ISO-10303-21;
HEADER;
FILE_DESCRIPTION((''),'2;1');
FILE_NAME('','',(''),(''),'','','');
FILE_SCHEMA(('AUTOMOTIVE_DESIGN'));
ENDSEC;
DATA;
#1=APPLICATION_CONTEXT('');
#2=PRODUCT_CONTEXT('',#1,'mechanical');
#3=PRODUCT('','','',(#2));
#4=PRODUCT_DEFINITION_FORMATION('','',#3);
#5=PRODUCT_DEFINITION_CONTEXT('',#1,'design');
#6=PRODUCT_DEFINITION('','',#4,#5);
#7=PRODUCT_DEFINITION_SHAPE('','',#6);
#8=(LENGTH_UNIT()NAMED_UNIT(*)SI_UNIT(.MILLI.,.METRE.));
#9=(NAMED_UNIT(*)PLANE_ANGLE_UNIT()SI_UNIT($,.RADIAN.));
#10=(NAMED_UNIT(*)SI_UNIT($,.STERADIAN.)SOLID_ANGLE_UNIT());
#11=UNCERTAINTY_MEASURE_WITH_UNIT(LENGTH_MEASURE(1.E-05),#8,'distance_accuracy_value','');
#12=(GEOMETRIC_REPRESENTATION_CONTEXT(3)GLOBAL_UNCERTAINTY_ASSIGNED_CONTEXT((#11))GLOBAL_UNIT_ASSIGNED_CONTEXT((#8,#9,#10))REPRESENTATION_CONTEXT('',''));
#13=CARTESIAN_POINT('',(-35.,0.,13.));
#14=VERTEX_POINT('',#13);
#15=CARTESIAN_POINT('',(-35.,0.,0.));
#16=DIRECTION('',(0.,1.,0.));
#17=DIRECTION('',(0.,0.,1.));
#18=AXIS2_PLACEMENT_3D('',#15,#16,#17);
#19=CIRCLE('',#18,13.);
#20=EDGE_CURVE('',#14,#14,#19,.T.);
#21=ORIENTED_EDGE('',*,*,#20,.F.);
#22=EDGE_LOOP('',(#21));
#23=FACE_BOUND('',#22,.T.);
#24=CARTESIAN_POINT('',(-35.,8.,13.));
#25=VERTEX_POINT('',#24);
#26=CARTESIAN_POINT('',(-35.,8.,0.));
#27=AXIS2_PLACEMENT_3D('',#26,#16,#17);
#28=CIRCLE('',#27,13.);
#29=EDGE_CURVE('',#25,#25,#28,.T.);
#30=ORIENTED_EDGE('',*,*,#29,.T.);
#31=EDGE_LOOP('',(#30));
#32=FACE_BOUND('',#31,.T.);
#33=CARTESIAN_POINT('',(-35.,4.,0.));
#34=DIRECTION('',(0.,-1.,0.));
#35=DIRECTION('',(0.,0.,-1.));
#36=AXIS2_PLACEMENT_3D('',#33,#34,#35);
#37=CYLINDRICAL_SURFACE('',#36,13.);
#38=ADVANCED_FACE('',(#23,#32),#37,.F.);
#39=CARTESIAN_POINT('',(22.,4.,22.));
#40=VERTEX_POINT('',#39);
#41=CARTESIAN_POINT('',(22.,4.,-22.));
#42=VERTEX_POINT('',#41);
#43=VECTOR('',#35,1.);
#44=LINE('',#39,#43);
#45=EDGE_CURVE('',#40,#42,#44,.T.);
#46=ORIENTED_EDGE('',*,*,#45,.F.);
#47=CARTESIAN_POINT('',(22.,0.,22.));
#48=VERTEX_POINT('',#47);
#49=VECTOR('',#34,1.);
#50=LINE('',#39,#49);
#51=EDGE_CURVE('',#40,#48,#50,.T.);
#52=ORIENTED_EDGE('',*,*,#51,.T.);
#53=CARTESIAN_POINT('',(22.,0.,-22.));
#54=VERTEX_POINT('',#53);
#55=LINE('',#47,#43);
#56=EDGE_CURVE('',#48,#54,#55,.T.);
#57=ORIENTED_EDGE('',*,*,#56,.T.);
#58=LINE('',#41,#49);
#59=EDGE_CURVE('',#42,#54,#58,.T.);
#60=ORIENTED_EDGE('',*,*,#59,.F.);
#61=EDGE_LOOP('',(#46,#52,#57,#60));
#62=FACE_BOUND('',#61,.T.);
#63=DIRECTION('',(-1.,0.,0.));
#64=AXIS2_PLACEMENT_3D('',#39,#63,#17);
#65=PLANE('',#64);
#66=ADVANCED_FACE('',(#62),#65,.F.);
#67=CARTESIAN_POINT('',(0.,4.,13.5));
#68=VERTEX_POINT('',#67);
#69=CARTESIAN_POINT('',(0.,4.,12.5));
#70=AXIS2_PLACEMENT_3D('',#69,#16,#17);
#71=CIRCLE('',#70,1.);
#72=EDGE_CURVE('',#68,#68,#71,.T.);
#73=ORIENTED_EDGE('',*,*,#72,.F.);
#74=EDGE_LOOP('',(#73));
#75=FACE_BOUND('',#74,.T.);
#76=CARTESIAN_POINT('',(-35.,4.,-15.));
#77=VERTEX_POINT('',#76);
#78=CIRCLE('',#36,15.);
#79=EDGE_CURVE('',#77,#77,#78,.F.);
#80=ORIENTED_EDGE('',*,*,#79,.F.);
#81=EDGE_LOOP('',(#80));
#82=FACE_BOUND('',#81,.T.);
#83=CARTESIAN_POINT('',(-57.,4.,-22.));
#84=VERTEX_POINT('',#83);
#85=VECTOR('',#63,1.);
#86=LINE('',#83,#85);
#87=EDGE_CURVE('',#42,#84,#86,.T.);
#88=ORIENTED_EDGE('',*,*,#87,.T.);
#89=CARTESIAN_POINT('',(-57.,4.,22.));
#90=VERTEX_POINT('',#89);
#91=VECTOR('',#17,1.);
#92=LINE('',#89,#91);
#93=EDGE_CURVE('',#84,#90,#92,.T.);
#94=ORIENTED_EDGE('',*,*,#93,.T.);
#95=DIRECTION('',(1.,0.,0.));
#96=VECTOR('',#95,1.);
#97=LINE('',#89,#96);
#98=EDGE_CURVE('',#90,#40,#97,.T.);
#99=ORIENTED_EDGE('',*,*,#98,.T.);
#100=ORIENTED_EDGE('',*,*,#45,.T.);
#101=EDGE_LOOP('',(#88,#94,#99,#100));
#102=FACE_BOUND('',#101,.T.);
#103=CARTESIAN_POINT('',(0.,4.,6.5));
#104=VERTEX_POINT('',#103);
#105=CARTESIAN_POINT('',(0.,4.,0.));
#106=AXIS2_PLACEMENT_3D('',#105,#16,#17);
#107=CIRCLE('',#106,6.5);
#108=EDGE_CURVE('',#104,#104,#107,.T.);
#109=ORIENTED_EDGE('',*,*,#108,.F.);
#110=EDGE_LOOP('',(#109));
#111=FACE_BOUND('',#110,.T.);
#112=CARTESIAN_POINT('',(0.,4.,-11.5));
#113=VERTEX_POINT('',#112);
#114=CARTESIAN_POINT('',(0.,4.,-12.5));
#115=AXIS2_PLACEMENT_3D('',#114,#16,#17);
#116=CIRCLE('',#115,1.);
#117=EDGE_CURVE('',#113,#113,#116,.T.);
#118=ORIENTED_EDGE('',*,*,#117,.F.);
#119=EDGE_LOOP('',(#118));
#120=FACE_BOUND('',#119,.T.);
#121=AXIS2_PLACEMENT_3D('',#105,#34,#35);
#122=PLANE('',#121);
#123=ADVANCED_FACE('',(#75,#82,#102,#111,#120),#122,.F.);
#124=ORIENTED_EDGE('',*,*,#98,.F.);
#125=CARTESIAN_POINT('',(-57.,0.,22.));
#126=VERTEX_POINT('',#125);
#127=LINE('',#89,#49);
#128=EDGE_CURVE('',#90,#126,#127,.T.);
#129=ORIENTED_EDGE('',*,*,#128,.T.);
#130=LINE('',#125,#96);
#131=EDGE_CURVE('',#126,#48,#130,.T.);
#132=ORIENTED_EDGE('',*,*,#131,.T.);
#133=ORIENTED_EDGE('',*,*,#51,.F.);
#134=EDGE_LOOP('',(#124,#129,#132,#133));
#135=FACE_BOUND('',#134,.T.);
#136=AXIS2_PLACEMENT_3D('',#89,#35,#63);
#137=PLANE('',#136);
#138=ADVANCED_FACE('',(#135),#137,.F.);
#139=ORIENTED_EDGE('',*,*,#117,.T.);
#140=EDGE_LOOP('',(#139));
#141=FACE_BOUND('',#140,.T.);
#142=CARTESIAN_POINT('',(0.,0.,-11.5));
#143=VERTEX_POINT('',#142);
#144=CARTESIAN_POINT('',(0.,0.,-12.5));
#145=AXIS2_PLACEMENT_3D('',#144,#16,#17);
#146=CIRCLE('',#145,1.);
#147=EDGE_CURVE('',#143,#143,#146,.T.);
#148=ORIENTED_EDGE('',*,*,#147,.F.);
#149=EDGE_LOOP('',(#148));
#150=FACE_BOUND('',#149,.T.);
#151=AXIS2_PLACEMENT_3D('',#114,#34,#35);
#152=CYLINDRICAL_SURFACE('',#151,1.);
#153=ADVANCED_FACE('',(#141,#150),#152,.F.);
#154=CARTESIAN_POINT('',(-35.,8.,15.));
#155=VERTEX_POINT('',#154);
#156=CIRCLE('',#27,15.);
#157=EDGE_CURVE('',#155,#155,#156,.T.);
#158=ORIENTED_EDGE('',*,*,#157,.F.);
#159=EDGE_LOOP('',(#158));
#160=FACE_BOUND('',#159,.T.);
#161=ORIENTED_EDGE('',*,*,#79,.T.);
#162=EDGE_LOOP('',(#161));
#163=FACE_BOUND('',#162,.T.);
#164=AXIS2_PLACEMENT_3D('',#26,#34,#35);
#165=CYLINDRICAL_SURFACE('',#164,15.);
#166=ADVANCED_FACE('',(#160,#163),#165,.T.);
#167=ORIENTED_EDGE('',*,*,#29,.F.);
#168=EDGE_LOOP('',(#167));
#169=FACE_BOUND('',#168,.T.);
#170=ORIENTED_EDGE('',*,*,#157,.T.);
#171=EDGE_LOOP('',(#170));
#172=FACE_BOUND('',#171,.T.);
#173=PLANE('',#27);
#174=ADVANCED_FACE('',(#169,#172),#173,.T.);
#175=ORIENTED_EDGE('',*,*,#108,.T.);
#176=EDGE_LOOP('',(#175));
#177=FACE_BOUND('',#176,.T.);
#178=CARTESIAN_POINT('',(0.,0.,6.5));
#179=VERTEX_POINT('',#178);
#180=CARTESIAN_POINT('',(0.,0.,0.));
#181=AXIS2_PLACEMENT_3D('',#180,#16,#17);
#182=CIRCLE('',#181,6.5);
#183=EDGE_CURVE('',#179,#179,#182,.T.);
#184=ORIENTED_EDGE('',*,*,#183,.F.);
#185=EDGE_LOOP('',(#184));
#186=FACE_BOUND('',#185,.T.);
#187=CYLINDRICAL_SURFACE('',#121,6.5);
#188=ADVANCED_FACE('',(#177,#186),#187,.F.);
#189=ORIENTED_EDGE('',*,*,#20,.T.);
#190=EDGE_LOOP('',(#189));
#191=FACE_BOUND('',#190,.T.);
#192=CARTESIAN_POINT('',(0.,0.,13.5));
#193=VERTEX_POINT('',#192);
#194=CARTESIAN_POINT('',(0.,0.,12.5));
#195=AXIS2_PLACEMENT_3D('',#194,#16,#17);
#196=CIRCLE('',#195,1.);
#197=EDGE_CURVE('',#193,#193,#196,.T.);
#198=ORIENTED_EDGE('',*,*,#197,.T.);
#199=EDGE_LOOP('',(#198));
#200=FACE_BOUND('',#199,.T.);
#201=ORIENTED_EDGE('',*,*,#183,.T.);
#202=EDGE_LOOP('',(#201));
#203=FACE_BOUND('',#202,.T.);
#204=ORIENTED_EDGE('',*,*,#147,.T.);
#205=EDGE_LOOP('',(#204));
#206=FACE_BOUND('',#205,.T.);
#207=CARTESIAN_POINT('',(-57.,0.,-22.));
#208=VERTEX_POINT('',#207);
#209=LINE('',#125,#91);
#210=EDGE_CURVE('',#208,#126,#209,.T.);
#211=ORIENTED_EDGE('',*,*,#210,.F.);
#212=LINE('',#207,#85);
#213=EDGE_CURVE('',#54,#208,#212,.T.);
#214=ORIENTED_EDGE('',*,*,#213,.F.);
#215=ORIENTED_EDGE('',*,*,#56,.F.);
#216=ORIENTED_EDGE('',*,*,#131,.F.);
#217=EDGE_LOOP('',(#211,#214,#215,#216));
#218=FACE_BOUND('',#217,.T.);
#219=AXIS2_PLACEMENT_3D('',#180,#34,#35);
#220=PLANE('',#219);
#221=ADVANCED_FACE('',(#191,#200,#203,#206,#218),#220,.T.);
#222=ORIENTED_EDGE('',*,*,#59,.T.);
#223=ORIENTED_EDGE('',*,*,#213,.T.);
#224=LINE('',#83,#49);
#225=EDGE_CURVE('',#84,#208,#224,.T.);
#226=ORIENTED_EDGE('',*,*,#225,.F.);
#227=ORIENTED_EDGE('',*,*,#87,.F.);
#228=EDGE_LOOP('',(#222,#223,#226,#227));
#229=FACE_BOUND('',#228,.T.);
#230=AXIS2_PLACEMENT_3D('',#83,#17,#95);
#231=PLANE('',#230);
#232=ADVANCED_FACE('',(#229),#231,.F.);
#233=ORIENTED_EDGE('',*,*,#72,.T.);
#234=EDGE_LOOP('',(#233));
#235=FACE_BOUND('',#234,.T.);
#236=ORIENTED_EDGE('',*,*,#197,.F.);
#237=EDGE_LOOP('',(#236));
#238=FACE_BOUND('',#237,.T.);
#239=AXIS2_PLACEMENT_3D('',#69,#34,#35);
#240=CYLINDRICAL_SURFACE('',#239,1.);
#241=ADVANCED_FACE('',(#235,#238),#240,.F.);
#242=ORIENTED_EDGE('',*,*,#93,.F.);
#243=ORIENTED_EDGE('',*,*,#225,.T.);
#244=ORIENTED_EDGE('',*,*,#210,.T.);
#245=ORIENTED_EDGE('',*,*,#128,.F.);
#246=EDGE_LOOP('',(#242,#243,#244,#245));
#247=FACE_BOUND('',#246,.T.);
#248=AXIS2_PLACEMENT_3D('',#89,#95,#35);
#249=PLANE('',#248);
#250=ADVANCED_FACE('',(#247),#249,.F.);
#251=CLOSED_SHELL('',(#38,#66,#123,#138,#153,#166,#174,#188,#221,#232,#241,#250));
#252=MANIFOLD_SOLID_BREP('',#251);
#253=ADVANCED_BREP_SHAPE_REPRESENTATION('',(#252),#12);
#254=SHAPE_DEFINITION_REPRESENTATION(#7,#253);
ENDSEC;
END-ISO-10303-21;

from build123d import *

# Parameters (mm, degrees)
IZIM2_W                     = 79
IZIM2_H                     = 44
IZIM2_R                     = 6.5
IZIM2_R_2                   = 1
IZIM2_R_3                   = 13
Y_KSEKLIK_EKSTR_ZYON1_DEPTH = 4
IZIM3_R                     = 15
IZIM3_R_2                   = 13
Y_KSEKLIK_EKSTR_ZYON2_DEPTH = 4


with BuildPart() as part:
    # Çizim2 → Yükseklik-Ekstrüzyon1 (new body)
    with BuildSketch(Plane(origin=(0, 0, 0), x_dir=(1, 0, 0), z_dir=(0, 1, 0))):
        with Locations((-17.5, 0)):
            Rectangle(IZIM2_W, IZIM2_H)
        with Locations(Location((0, 0, 0), (0, 0, 270))):
            Circle(IZIM2_R, mode=Mode.SUBTRACT)
        with Locations(Location((0, 12.5, 0), (0, 0, 270))):
            Circle(IZIM2_R_2, mode=Mode.SUBTRACT)
        with Locations(Location((0, -12.5, 0), (0, 0, 270))):
            Circle(IZIM2_R_2, mode=Mode.SUBTRACT)
        with Locations(Location((-35, 0, 0), (0, 0, 270))):
            Circle(IZIM2_R_3, mode=Mode.SUBTRACT)
    extrude(amount=Y_KSEKLIK_EKSTR_ZYON1_DEPTH)

    # Çizim3 → Yükseklik-Ekstrüzyon2 (add)
    with BuildSketch(Plane(origin=(0, 4, 0), x_dir=(1, 0, 0), z_dir=(0, 1, 0))):
        with Locations(Location((-35, 0, 0), (0, 0, 90))):
            Circle(IZIM3_R)
        with Locations(Location((-35, 0, 0), (0, 0, 270))):
            Circle(IZIM3_R_2, mode=Mode.SUBTRACT)
    extrude(amount=Y_KSEKLIK_EKSTR_ZYON2_DEPTH)


solid = part.part
